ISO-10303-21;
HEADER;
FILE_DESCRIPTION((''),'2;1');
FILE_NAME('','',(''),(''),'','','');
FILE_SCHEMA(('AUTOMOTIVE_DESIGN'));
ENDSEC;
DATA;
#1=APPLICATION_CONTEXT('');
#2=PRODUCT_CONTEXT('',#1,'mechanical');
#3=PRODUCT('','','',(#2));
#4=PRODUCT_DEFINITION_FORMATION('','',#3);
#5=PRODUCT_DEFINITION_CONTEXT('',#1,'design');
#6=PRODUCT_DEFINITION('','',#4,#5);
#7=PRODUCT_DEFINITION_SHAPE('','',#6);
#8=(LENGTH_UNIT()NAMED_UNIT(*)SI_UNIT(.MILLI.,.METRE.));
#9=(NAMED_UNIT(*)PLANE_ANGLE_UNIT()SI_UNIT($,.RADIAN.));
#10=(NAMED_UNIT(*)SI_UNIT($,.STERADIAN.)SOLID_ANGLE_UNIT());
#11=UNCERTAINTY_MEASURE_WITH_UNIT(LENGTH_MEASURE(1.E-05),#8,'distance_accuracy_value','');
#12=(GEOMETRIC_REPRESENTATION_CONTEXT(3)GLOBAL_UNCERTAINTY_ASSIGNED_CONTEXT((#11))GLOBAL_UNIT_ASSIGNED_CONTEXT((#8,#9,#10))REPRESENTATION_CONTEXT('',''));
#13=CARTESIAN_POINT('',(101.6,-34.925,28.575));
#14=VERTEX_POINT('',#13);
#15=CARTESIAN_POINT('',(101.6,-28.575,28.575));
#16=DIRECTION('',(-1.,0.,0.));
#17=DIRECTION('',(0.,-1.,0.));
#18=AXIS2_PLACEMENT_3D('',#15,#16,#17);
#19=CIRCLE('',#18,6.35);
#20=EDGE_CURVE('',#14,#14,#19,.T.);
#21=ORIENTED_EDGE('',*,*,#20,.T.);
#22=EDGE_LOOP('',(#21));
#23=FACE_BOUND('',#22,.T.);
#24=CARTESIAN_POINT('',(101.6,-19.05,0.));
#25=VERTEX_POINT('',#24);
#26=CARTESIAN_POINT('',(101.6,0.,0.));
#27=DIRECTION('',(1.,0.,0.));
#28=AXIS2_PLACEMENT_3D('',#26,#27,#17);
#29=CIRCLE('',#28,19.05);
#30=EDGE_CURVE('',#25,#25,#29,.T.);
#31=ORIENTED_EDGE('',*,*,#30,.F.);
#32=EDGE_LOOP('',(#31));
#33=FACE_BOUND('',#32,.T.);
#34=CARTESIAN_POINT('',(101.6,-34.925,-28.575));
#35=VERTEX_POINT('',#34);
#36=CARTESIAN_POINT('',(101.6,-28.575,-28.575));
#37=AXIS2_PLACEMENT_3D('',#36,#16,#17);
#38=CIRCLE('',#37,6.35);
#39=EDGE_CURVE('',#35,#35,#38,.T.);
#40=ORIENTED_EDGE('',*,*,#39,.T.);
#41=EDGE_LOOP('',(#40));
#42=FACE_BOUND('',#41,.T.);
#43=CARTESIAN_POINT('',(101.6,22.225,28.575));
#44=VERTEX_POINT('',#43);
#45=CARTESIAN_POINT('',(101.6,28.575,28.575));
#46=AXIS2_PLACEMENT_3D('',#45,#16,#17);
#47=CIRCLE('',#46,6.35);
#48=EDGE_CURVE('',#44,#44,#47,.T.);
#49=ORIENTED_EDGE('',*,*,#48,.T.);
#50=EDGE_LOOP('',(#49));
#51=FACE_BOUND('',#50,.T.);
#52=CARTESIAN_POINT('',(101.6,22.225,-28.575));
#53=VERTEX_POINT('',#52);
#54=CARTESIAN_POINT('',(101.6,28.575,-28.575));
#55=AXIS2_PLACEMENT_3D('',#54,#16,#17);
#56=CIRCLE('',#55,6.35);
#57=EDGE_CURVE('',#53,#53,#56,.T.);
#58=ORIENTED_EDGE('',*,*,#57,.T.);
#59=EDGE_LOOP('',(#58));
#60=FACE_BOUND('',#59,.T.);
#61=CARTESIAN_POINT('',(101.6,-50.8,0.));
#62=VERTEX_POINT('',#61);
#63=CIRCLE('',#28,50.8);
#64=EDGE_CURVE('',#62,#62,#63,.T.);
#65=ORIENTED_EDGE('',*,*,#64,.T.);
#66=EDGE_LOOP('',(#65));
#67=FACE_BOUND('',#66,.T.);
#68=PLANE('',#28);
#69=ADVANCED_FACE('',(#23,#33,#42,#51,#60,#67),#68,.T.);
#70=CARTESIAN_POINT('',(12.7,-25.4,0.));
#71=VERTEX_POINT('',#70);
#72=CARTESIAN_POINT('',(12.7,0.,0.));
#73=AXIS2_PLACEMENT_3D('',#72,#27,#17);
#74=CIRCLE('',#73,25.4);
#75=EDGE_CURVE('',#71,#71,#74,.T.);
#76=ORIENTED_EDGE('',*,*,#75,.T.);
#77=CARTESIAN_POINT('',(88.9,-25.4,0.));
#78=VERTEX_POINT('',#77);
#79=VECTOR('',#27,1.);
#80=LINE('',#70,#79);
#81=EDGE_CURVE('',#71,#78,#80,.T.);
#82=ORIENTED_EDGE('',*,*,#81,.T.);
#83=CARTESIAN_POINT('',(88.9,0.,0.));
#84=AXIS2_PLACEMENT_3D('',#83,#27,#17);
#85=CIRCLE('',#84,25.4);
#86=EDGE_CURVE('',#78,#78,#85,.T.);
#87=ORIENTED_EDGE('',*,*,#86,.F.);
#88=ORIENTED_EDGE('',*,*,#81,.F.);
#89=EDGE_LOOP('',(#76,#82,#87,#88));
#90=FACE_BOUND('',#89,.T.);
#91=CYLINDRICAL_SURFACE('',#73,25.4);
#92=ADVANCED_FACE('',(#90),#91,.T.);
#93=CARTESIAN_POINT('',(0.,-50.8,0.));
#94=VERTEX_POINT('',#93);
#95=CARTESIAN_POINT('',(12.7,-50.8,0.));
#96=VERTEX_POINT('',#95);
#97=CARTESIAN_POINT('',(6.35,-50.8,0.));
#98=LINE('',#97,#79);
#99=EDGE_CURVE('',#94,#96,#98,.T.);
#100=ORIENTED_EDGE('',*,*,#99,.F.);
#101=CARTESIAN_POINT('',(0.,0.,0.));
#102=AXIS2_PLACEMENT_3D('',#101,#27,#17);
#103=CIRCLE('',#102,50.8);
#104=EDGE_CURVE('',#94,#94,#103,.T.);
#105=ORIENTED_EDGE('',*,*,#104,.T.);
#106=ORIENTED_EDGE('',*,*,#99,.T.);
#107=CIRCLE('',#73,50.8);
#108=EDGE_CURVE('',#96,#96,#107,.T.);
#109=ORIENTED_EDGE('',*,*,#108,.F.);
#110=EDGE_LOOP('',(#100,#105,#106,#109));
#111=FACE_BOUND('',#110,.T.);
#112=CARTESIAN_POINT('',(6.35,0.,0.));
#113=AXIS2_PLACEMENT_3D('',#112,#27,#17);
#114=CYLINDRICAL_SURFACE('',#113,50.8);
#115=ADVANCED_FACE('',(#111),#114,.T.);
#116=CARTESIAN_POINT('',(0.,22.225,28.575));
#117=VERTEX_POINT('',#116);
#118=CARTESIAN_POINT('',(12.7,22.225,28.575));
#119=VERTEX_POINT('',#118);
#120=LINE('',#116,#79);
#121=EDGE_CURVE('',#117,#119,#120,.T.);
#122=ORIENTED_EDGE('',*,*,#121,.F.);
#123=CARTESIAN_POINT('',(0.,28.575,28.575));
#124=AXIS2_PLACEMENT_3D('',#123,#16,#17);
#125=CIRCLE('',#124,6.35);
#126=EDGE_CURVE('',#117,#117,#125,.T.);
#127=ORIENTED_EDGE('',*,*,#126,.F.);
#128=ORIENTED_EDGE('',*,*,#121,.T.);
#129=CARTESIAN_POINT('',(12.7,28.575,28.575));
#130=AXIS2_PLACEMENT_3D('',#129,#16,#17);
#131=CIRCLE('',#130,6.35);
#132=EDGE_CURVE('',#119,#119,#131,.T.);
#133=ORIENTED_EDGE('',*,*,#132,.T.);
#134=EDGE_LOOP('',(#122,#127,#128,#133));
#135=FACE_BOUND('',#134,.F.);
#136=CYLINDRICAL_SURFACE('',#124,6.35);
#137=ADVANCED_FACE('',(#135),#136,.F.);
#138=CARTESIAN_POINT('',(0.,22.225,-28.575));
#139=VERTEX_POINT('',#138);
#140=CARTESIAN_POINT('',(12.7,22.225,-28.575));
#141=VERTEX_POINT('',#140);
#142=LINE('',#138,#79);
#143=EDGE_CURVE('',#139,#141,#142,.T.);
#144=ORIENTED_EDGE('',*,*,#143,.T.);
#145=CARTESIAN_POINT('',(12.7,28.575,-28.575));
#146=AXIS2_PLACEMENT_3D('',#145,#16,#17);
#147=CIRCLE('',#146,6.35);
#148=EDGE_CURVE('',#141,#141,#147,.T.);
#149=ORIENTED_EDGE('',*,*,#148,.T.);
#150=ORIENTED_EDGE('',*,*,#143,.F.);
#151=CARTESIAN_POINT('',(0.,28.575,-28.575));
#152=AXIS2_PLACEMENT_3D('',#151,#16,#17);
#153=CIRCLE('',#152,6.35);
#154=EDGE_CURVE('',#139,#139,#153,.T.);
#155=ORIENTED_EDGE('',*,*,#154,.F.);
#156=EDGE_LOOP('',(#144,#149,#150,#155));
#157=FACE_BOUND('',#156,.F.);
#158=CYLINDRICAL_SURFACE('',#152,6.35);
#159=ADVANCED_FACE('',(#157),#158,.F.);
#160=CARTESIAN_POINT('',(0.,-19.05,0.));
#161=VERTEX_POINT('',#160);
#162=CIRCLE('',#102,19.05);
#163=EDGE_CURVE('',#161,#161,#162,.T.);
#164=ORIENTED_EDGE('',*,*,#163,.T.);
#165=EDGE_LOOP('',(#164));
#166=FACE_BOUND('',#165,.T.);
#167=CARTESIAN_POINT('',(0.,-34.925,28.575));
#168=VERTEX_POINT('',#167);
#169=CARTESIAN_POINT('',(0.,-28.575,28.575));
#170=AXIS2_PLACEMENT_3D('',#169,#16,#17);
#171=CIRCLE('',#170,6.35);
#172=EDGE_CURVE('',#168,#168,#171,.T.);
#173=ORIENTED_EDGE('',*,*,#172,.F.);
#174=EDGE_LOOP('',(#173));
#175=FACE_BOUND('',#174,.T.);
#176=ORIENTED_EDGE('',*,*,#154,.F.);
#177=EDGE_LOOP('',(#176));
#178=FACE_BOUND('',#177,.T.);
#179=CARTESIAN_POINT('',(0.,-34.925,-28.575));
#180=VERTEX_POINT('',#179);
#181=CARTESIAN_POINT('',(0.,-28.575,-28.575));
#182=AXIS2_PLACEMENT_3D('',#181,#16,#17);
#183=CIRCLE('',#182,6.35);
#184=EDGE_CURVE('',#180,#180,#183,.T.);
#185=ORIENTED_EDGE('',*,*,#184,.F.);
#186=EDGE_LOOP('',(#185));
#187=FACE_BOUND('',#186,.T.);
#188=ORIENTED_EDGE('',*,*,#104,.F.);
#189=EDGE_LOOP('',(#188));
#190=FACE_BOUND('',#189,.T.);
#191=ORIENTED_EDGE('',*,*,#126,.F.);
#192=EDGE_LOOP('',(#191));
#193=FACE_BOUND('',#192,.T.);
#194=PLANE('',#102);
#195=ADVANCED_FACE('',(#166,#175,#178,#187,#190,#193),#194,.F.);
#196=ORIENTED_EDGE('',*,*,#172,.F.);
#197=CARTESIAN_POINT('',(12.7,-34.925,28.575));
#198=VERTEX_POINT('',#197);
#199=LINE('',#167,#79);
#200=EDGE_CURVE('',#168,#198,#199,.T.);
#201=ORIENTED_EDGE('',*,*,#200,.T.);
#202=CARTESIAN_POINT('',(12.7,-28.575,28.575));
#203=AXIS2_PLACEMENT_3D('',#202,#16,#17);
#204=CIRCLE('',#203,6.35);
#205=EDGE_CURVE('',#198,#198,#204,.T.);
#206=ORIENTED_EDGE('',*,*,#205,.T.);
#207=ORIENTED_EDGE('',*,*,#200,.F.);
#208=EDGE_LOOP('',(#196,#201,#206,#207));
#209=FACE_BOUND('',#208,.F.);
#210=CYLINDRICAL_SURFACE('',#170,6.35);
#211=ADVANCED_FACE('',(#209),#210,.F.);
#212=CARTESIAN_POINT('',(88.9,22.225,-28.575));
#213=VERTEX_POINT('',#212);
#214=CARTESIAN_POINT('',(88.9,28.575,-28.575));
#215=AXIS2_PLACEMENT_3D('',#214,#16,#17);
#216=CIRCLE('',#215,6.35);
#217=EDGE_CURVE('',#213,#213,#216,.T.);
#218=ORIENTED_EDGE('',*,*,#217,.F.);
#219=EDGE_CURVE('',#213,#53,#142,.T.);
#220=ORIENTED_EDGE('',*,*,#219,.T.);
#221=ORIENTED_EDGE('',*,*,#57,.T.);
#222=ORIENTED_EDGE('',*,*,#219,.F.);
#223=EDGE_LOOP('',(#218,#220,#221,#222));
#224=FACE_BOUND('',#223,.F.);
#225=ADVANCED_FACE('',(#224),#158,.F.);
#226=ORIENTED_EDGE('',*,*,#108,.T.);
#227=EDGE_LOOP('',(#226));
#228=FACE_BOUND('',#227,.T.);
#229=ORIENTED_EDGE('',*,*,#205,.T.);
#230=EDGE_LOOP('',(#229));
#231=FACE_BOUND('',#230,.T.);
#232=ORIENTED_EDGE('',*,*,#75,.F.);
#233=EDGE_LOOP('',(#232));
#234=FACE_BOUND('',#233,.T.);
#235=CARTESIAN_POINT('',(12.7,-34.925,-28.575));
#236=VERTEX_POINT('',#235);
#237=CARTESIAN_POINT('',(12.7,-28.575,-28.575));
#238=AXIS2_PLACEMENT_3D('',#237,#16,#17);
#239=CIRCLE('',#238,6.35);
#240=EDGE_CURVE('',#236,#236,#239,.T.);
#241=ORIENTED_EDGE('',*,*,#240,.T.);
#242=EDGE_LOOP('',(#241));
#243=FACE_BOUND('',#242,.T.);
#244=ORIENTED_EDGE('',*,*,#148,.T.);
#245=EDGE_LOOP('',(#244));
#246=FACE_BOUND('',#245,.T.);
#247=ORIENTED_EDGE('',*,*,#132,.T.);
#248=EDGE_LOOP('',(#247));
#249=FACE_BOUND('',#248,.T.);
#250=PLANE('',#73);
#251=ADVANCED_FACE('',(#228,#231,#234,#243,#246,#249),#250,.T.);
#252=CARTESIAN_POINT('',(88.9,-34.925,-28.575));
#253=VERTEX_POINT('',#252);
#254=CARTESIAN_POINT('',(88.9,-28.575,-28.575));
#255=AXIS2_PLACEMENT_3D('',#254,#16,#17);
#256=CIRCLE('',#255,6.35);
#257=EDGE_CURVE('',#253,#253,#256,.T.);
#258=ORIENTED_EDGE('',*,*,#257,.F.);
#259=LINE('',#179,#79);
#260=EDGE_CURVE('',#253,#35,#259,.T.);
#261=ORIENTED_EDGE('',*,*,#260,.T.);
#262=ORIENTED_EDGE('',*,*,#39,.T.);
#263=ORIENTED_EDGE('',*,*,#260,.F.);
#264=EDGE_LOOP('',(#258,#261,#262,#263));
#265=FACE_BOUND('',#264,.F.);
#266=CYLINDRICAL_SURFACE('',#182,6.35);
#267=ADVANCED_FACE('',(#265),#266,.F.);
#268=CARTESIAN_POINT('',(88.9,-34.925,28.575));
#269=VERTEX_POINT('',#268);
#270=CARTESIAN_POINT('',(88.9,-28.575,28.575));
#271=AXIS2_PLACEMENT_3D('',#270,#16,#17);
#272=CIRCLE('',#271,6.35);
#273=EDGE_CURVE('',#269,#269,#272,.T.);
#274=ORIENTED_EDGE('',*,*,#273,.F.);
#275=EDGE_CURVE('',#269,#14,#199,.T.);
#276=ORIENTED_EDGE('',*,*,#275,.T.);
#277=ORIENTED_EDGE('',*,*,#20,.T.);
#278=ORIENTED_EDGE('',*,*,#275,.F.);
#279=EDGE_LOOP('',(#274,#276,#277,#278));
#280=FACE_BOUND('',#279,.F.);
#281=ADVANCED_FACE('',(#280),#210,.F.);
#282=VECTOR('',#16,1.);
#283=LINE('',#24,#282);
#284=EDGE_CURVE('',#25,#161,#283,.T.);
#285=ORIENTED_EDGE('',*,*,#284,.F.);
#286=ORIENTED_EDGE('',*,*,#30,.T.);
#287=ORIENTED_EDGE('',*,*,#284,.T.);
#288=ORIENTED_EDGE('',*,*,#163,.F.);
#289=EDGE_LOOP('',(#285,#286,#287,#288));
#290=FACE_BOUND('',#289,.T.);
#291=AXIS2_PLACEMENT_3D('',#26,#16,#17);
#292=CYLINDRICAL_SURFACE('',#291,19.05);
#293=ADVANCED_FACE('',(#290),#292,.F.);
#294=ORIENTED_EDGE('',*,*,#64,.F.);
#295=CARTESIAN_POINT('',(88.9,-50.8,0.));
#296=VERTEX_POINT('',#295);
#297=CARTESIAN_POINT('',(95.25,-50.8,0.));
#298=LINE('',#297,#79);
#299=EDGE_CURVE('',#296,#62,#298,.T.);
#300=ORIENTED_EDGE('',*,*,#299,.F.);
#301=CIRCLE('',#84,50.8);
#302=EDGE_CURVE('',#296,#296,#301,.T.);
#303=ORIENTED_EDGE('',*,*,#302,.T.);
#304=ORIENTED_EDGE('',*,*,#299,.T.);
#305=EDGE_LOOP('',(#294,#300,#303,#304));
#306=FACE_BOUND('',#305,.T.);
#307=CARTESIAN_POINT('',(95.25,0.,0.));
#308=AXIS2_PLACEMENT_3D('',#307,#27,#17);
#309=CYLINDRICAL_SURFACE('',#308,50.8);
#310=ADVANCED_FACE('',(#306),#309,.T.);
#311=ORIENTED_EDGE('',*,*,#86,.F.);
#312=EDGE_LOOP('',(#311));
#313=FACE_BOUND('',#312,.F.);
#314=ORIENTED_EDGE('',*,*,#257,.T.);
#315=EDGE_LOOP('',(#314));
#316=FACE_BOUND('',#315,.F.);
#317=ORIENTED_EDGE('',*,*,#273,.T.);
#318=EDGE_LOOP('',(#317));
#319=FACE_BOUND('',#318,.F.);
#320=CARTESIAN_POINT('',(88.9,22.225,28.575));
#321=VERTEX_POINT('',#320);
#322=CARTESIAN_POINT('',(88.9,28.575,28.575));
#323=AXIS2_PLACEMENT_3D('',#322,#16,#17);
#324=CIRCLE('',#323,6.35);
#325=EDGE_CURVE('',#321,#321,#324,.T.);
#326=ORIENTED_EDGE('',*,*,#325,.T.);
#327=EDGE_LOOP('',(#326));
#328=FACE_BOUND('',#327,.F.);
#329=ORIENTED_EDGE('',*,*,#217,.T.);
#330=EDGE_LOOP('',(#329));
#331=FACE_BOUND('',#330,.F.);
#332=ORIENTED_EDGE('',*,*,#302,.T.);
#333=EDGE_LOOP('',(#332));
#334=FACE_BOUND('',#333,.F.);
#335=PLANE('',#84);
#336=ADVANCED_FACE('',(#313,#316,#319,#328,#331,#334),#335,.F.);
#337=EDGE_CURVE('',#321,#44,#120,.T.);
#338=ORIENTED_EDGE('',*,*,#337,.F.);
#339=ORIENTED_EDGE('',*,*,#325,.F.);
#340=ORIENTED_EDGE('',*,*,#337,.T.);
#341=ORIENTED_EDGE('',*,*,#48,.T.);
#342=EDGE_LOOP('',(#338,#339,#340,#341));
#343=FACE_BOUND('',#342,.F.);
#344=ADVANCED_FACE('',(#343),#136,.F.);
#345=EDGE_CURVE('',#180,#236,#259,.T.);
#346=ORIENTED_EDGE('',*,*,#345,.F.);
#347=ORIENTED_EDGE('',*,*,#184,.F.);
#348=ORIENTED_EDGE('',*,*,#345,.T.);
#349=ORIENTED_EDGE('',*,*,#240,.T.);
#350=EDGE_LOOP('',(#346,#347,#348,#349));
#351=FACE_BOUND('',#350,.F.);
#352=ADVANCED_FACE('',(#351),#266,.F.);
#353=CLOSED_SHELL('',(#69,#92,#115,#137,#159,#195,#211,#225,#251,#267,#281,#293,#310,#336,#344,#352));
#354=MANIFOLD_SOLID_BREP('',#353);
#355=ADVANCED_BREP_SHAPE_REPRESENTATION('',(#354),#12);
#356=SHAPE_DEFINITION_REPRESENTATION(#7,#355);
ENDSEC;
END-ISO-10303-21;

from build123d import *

# Parameters (mm, degrees)
F0_W     = 12.7
F0_H     = 6.35
F0_H_2   = 25.4
F0_W_2   = 76.2
F2_R     = 6.35
F3_DEPTH = 101.6


with BuildPart() as f1:
    # F0 (on Top) → F1 (revolve)
    with BuildSketch(Plane.XY):
        with Locations((6.35, -22.225)):
            Rectangle(F0_W, F0_H)
        with Locations((6.35, -38.1)):
            Rectangle(F0_W, F0_H_2)
        with Locations((50.8, -22.225)):
            Rectangle(F0_W_2, F0_H)
        with Locations((95.25, -22.225)):
            Rectangle(F0_W, F0_H)
        with Locations((95.25, -38.1)):
            Rectangle(F0_W, F0_H_2)
    revolve(axis=Axis((50.8, 0, 0), (1, 0, 0)))

    # F2 (on face) → F3 (cut, through all)
    with BuildSketch(Plane(origin=(0, 0, 0), x_dir=(0, -1, 0), z_dir=(-1, 0, 0))):
        with Locations((-28.575, 28.575)):
            Circle(F2_R)
        with Locations((28.575, 28.575)):
            Circle(F2_R)
        with Locations((-28.575, -28.575)):
            Circle(F2_R)
        with Locations((28.575, -28.575)):
            Circle(F2_R)
    extrude(amount=-F3_DEPTH, mode=Mode.SUBTRACT)


solid = f1.part
